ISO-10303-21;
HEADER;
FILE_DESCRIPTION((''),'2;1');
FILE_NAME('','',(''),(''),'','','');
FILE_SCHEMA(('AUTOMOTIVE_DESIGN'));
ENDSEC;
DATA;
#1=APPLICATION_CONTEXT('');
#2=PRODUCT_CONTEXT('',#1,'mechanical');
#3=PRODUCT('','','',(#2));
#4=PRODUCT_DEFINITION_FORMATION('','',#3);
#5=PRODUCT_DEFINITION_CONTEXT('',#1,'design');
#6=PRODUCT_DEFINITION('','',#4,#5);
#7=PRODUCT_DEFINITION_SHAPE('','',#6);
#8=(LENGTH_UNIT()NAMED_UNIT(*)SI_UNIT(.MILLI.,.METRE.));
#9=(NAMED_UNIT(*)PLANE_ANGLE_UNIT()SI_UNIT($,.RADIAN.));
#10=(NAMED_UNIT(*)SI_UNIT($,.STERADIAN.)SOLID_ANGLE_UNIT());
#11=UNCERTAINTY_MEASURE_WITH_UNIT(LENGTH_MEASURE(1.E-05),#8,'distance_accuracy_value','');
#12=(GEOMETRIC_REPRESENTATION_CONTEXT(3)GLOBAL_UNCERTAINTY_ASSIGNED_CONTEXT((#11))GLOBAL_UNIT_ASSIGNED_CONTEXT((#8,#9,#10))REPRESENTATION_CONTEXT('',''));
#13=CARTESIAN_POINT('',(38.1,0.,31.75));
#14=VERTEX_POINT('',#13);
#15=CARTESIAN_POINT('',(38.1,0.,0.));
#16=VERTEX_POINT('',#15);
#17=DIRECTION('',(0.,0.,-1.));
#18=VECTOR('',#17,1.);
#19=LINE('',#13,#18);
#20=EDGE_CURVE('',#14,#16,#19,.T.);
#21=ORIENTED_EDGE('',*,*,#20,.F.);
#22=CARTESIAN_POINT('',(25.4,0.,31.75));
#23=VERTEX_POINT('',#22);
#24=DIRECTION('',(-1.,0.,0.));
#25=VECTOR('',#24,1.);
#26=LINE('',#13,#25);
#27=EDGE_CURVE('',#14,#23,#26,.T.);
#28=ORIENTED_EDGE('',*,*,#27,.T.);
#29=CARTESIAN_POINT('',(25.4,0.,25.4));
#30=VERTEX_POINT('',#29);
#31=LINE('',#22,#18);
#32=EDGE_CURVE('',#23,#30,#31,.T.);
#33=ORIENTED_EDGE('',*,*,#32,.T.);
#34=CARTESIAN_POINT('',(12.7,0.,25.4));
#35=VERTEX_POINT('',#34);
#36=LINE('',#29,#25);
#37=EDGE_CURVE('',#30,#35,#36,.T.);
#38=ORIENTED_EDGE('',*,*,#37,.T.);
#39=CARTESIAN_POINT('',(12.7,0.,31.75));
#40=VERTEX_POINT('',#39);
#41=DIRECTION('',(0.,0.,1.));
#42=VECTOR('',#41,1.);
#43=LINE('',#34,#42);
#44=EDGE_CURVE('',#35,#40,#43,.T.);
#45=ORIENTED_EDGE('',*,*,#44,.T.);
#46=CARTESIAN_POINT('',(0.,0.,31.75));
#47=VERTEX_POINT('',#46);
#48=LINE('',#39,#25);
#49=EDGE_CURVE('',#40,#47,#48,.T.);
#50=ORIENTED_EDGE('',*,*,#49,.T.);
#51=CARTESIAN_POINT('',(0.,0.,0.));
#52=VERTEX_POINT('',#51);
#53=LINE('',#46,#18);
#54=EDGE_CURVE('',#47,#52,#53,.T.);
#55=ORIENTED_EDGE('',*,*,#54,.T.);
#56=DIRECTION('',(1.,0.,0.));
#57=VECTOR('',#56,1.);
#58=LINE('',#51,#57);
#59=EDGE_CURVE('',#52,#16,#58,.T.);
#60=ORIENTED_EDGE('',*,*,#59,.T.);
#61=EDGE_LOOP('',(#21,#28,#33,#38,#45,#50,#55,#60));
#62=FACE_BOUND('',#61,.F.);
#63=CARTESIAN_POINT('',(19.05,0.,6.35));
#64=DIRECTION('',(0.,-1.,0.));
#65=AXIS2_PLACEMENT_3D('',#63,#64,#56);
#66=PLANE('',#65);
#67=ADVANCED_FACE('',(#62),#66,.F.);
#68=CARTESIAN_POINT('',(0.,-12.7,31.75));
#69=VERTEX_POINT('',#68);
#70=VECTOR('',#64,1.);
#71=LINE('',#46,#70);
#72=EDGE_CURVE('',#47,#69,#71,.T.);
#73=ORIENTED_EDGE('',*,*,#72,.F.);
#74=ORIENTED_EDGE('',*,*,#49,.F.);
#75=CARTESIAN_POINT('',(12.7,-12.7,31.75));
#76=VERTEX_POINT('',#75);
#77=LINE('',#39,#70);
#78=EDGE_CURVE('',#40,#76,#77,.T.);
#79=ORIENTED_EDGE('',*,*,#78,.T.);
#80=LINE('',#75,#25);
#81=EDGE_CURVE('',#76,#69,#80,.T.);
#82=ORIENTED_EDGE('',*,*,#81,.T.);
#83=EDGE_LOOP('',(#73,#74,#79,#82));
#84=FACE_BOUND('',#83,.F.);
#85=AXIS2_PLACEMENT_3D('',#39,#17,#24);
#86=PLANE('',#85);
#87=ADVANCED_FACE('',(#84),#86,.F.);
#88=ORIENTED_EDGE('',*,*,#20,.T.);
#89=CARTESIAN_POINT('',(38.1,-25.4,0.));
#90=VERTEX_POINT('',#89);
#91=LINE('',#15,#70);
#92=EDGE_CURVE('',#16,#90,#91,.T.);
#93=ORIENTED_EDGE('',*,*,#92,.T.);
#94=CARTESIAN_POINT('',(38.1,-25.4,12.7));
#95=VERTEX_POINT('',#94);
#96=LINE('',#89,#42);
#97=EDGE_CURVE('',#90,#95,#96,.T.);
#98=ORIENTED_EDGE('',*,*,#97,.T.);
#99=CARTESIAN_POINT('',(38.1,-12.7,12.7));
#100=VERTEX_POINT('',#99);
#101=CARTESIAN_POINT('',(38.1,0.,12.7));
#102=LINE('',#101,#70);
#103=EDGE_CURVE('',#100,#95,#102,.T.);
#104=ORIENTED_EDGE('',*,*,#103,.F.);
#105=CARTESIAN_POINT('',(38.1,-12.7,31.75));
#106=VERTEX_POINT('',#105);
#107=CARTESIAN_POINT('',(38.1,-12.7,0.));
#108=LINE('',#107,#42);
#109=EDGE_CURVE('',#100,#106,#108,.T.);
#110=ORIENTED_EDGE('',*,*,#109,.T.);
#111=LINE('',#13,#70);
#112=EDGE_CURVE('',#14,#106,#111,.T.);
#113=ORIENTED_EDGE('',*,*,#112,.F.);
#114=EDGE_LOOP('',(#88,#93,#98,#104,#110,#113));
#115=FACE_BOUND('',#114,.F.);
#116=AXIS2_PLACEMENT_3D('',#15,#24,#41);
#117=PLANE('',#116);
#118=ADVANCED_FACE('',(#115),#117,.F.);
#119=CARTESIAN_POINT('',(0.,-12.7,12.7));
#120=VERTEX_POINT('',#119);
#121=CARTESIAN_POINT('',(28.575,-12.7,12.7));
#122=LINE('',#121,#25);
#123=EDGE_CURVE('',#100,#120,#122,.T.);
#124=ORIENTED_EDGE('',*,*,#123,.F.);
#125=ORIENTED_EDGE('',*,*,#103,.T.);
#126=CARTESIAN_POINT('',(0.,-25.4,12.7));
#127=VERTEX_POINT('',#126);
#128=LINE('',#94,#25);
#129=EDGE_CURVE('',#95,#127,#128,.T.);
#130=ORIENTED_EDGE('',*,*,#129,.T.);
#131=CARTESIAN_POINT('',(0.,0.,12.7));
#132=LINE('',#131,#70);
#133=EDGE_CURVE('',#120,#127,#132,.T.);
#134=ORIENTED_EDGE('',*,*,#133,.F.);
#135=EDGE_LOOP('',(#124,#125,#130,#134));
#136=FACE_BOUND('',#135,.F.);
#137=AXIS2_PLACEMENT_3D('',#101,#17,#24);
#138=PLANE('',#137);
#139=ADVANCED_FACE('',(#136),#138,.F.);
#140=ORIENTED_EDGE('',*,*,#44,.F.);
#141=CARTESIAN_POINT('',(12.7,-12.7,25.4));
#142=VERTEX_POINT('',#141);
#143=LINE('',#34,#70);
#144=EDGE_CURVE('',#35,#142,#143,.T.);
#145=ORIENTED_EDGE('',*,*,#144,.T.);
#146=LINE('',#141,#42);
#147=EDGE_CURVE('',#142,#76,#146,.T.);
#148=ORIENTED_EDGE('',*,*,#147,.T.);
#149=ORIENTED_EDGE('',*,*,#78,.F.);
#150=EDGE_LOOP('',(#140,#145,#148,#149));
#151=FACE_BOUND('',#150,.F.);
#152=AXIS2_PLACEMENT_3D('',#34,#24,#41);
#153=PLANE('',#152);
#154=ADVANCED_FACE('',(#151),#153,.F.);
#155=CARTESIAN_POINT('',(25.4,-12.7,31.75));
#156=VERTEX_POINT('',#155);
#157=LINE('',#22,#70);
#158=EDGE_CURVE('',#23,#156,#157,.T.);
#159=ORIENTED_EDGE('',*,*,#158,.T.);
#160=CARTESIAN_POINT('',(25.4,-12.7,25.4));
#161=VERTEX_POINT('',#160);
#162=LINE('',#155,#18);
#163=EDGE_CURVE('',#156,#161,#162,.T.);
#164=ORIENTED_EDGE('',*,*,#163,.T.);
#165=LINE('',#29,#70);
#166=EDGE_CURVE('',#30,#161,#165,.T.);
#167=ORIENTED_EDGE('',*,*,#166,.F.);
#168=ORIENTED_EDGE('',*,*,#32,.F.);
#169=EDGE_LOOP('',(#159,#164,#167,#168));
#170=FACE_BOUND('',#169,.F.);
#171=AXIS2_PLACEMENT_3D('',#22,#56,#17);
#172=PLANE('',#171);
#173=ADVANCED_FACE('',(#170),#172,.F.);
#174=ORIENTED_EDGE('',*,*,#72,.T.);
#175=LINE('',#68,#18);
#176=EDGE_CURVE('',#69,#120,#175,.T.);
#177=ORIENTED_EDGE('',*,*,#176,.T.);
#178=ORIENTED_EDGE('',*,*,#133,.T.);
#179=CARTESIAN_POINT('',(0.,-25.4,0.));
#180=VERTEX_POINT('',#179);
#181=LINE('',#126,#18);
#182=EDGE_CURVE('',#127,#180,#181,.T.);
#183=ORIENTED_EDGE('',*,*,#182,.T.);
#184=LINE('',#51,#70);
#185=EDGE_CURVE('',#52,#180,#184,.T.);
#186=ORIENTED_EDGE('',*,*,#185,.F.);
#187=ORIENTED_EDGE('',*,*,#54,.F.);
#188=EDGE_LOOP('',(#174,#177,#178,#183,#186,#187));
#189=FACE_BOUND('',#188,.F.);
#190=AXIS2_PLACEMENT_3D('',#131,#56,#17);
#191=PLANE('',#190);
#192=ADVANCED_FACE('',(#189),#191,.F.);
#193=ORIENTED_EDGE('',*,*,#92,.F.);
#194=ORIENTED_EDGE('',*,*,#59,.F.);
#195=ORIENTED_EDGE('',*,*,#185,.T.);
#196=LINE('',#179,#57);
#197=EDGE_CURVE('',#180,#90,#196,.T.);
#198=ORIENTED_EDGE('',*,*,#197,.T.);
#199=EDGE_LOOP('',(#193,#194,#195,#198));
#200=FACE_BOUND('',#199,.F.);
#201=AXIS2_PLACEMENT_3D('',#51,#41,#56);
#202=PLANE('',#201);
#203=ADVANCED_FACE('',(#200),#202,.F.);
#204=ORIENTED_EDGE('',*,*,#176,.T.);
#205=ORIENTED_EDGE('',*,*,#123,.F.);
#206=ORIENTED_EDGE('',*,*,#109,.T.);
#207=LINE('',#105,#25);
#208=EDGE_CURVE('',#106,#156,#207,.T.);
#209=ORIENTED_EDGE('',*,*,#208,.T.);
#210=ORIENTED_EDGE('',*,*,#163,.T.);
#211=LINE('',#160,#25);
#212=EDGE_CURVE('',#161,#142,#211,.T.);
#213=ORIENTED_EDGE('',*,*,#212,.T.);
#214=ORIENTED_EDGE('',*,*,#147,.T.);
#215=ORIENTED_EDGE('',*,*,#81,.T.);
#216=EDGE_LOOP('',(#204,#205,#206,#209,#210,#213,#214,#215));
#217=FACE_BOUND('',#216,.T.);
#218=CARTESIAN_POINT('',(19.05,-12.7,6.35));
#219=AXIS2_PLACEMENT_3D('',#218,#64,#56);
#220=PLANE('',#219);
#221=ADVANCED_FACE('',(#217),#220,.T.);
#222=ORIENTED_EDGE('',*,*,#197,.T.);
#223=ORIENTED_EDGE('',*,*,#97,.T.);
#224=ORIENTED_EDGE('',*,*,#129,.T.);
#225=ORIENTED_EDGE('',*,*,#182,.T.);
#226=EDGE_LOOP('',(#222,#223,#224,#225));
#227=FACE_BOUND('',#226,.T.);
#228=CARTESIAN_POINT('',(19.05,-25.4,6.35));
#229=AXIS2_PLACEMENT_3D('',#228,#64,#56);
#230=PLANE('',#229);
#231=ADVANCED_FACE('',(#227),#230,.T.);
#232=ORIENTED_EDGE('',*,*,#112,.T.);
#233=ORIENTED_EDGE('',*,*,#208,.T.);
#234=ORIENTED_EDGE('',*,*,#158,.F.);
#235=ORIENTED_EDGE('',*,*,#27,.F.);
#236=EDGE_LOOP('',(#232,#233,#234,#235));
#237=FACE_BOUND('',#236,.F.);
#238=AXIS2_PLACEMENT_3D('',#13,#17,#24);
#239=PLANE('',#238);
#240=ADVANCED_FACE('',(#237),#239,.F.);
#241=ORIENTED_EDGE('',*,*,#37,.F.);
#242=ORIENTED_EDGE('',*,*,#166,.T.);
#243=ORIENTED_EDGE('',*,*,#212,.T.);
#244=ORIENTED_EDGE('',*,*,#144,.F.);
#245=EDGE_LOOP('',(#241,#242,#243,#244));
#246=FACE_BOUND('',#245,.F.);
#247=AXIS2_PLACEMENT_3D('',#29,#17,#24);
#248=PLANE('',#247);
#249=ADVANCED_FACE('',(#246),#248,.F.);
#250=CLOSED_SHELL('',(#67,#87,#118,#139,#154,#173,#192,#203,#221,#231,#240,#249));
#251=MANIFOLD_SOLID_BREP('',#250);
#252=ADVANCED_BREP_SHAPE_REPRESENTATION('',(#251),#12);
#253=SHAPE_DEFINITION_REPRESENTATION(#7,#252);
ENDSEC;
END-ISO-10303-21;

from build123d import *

# Parameters (mm, degrees)
F1_DEPTH = 25.4
F2_DEPTH = 12.7


with BuildPart() as f1:
    # F0 (on Front) → F1 (new body)
    with BuildSketch(Plane.XZ):
        Polygon((0, 12.7), (0, 0), (38.1, 0), (38.1, 10.609599), (38.1, 12.7), align=None)
    extrude(amount=F1_DEPTH)

    # F0 (on Front) → F2 (join)
    with BuildSketch(Plane.XZ):
        Polygon((0, 12.7), (0, 0), (38.1, 0), (38.1, 10.609599), (38.1, 12.7), align=None)
        Polygon((0, 31.75), (0, 12.7), (38.1, 12.7), (38.1, 31.75), (25.4, 31.75), (25.4, 25.4), (12.7, 25.4), (12.7, 31.75), align=None)
    extrude(amount=F2_DEPTH)


solid = f1.part
